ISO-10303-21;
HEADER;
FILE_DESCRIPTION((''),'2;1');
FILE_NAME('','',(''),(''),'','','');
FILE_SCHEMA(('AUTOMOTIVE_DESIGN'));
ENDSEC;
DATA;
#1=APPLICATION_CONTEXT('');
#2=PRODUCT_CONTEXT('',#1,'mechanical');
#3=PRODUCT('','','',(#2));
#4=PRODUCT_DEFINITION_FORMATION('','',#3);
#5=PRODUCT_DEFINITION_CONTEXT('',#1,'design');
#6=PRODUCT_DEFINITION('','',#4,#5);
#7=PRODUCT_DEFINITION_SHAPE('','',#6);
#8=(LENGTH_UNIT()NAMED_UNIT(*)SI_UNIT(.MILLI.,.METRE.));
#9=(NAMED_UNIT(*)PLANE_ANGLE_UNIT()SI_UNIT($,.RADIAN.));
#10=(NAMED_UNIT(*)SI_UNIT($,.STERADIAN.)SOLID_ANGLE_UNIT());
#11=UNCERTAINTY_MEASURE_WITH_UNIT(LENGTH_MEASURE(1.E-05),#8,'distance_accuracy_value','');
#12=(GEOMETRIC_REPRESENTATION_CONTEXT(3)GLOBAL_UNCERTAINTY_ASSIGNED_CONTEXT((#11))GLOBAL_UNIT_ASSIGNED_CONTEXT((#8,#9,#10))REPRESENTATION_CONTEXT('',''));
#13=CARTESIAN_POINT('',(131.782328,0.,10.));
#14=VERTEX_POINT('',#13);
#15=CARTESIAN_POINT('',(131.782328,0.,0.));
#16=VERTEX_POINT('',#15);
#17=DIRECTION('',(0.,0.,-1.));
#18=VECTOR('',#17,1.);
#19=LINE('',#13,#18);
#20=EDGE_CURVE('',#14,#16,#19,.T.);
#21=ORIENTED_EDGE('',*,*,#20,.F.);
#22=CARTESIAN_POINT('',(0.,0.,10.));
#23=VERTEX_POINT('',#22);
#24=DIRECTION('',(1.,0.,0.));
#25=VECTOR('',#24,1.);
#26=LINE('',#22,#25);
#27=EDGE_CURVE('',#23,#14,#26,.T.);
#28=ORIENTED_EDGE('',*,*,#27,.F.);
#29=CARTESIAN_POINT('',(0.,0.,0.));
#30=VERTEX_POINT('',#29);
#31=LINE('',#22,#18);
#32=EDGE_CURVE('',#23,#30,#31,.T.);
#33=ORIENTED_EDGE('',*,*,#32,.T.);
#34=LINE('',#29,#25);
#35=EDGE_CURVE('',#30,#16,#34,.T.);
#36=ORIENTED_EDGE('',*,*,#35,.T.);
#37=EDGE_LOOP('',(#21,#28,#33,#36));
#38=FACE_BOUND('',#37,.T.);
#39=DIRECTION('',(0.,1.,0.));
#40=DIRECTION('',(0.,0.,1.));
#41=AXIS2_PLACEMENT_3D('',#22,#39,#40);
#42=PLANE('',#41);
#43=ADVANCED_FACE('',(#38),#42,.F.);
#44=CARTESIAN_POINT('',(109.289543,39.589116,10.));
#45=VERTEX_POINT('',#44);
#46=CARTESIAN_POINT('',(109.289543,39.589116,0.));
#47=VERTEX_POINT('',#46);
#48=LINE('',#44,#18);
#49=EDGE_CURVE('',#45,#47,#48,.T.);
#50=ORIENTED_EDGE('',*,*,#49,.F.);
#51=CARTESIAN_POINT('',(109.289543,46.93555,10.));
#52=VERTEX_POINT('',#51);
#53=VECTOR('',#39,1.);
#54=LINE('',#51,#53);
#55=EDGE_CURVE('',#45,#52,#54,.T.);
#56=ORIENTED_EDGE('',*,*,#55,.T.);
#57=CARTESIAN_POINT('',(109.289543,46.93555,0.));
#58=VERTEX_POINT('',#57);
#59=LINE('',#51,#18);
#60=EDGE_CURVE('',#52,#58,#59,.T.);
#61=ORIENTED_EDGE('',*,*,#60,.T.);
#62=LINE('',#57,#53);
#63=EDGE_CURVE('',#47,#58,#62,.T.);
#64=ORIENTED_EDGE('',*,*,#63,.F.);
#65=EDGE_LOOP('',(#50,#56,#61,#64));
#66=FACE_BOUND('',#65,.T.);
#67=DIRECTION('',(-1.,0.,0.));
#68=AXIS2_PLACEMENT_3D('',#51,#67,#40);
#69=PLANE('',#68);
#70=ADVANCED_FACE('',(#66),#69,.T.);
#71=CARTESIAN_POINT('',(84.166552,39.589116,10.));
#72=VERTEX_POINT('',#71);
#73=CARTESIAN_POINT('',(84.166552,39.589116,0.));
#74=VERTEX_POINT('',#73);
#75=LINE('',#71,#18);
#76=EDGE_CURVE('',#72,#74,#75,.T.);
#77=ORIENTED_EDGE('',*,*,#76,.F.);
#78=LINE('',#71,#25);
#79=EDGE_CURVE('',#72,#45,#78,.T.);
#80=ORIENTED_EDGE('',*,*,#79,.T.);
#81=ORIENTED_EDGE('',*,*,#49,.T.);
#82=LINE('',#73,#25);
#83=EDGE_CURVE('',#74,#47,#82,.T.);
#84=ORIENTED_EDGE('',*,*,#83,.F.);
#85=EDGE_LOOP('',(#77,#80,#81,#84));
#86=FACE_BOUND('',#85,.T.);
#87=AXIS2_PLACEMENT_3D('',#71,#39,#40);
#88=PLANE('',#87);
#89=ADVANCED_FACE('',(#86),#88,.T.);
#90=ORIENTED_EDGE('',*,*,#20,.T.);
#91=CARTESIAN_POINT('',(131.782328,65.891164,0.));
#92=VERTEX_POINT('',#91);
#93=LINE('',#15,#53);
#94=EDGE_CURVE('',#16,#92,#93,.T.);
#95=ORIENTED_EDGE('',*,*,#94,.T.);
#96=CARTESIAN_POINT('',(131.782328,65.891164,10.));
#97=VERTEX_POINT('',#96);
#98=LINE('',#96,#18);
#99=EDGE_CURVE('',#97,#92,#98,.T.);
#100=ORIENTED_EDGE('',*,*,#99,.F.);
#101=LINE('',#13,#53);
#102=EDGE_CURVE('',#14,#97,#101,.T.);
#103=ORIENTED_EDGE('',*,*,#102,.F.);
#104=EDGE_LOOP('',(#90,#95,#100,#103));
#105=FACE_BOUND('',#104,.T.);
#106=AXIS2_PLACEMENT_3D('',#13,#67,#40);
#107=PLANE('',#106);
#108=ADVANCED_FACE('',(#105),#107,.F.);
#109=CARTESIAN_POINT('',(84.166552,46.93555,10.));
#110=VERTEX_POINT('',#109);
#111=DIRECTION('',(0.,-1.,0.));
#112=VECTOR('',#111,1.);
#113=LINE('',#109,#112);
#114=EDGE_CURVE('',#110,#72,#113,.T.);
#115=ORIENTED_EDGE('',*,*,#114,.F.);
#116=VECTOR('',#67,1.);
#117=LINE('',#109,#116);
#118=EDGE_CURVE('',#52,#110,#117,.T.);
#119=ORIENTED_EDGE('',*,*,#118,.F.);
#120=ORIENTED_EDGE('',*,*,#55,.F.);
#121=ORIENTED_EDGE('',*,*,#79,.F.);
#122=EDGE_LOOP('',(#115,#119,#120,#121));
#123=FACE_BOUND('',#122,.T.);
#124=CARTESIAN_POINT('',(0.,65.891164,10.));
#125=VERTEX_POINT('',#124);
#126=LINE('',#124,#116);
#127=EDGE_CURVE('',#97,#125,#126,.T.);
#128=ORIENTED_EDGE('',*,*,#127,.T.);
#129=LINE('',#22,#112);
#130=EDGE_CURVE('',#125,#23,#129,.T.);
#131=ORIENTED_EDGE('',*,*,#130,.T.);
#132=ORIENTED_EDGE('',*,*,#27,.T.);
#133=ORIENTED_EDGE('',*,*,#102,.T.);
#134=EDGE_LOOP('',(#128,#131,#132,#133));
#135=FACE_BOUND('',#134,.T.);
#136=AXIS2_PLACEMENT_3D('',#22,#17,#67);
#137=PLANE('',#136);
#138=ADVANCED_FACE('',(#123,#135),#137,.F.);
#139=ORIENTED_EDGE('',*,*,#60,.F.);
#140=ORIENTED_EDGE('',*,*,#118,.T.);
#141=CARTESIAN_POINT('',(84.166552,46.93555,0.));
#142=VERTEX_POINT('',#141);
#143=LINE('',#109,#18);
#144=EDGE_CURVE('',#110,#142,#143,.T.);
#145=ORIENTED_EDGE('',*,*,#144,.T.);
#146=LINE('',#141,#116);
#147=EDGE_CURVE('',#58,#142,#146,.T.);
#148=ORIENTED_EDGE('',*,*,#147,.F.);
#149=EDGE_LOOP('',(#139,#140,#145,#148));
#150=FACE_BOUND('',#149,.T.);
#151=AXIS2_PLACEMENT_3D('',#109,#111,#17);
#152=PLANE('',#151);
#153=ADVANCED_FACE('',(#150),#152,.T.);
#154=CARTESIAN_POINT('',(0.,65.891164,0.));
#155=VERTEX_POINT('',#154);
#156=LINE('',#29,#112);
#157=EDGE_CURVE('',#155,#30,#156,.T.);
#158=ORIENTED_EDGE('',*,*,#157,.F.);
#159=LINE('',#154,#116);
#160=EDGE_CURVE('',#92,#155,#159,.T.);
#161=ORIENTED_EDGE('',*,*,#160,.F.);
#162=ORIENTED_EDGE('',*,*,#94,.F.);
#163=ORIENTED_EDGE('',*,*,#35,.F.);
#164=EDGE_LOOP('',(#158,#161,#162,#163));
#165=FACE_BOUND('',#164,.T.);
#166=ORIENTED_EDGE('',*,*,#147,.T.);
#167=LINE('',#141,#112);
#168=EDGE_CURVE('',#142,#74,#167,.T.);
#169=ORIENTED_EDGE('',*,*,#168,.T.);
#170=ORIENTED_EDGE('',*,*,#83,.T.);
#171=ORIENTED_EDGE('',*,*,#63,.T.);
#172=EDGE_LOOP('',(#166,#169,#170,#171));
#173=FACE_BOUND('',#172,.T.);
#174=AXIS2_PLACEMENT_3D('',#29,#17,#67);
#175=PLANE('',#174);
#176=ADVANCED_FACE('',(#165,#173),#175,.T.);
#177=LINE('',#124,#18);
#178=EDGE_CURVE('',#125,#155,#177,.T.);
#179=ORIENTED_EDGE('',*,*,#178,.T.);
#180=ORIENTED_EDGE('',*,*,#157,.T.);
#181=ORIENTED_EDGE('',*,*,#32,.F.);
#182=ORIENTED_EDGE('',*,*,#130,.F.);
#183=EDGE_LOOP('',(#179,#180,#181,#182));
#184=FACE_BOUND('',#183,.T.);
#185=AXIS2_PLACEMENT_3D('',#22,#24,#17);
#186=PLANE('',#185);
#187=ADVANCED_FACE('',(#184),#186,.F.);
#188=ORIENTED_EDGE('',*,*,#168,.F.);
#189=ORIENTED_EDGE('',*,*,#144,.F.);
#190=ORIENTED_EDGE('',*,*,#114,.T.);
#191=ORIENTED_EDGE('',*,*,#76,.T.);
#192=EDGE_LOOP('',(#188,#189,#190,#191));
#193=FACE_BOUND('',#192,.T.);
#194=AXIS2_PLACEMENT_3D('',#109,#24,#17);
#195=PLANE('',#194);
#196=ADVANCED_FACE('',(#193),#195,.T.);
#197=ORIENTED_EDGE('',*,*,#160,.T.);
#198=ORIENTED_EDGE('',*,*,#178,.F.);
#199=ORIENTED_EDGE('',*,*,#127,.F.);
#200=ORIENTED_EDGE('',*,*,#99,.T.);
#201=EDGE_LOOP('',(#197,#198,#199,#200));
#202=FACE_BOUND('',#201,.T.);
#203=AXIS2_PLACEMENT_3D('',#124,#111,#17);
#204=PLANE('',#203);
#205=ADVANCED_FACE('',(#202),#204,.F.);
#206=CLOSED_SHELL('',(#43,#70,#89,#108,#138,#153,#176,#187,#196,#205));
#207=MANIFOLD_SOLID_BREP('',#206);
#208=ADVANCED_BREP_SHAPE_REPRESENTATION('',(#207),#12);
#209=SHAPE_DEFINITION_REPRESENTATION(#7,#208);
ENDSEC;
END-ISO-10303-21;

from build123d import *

# Parameters (mm, degrees)
SKETCH1_W           = 131.78232807
SKETCH1_H           = 65.891164035
SKETCH1_W_2         = 25.122990279
SKETCH1_H_2         = 7.346433981
BOSS_EXTRUDE1_DEPTH = 10


with BuildPart() as part:
    # Sketch1 → Boss-Extrude1 (new body)
    with BuildSketch(Plane.XY):
        with Locations((65.891164035, 32.945582018)):
            Rectangle(SKETCH1_W, SKETCH1_H)
        with Locations((96.72804741, 43.262333441)):
            Rectangle(SKETCH1_W_2, SKETCH1_H_2, mode=Mode.SUBTRACT)
    extrude(amount=BOSS_EXTRUDE1_DEPTH)


solid = part.part
